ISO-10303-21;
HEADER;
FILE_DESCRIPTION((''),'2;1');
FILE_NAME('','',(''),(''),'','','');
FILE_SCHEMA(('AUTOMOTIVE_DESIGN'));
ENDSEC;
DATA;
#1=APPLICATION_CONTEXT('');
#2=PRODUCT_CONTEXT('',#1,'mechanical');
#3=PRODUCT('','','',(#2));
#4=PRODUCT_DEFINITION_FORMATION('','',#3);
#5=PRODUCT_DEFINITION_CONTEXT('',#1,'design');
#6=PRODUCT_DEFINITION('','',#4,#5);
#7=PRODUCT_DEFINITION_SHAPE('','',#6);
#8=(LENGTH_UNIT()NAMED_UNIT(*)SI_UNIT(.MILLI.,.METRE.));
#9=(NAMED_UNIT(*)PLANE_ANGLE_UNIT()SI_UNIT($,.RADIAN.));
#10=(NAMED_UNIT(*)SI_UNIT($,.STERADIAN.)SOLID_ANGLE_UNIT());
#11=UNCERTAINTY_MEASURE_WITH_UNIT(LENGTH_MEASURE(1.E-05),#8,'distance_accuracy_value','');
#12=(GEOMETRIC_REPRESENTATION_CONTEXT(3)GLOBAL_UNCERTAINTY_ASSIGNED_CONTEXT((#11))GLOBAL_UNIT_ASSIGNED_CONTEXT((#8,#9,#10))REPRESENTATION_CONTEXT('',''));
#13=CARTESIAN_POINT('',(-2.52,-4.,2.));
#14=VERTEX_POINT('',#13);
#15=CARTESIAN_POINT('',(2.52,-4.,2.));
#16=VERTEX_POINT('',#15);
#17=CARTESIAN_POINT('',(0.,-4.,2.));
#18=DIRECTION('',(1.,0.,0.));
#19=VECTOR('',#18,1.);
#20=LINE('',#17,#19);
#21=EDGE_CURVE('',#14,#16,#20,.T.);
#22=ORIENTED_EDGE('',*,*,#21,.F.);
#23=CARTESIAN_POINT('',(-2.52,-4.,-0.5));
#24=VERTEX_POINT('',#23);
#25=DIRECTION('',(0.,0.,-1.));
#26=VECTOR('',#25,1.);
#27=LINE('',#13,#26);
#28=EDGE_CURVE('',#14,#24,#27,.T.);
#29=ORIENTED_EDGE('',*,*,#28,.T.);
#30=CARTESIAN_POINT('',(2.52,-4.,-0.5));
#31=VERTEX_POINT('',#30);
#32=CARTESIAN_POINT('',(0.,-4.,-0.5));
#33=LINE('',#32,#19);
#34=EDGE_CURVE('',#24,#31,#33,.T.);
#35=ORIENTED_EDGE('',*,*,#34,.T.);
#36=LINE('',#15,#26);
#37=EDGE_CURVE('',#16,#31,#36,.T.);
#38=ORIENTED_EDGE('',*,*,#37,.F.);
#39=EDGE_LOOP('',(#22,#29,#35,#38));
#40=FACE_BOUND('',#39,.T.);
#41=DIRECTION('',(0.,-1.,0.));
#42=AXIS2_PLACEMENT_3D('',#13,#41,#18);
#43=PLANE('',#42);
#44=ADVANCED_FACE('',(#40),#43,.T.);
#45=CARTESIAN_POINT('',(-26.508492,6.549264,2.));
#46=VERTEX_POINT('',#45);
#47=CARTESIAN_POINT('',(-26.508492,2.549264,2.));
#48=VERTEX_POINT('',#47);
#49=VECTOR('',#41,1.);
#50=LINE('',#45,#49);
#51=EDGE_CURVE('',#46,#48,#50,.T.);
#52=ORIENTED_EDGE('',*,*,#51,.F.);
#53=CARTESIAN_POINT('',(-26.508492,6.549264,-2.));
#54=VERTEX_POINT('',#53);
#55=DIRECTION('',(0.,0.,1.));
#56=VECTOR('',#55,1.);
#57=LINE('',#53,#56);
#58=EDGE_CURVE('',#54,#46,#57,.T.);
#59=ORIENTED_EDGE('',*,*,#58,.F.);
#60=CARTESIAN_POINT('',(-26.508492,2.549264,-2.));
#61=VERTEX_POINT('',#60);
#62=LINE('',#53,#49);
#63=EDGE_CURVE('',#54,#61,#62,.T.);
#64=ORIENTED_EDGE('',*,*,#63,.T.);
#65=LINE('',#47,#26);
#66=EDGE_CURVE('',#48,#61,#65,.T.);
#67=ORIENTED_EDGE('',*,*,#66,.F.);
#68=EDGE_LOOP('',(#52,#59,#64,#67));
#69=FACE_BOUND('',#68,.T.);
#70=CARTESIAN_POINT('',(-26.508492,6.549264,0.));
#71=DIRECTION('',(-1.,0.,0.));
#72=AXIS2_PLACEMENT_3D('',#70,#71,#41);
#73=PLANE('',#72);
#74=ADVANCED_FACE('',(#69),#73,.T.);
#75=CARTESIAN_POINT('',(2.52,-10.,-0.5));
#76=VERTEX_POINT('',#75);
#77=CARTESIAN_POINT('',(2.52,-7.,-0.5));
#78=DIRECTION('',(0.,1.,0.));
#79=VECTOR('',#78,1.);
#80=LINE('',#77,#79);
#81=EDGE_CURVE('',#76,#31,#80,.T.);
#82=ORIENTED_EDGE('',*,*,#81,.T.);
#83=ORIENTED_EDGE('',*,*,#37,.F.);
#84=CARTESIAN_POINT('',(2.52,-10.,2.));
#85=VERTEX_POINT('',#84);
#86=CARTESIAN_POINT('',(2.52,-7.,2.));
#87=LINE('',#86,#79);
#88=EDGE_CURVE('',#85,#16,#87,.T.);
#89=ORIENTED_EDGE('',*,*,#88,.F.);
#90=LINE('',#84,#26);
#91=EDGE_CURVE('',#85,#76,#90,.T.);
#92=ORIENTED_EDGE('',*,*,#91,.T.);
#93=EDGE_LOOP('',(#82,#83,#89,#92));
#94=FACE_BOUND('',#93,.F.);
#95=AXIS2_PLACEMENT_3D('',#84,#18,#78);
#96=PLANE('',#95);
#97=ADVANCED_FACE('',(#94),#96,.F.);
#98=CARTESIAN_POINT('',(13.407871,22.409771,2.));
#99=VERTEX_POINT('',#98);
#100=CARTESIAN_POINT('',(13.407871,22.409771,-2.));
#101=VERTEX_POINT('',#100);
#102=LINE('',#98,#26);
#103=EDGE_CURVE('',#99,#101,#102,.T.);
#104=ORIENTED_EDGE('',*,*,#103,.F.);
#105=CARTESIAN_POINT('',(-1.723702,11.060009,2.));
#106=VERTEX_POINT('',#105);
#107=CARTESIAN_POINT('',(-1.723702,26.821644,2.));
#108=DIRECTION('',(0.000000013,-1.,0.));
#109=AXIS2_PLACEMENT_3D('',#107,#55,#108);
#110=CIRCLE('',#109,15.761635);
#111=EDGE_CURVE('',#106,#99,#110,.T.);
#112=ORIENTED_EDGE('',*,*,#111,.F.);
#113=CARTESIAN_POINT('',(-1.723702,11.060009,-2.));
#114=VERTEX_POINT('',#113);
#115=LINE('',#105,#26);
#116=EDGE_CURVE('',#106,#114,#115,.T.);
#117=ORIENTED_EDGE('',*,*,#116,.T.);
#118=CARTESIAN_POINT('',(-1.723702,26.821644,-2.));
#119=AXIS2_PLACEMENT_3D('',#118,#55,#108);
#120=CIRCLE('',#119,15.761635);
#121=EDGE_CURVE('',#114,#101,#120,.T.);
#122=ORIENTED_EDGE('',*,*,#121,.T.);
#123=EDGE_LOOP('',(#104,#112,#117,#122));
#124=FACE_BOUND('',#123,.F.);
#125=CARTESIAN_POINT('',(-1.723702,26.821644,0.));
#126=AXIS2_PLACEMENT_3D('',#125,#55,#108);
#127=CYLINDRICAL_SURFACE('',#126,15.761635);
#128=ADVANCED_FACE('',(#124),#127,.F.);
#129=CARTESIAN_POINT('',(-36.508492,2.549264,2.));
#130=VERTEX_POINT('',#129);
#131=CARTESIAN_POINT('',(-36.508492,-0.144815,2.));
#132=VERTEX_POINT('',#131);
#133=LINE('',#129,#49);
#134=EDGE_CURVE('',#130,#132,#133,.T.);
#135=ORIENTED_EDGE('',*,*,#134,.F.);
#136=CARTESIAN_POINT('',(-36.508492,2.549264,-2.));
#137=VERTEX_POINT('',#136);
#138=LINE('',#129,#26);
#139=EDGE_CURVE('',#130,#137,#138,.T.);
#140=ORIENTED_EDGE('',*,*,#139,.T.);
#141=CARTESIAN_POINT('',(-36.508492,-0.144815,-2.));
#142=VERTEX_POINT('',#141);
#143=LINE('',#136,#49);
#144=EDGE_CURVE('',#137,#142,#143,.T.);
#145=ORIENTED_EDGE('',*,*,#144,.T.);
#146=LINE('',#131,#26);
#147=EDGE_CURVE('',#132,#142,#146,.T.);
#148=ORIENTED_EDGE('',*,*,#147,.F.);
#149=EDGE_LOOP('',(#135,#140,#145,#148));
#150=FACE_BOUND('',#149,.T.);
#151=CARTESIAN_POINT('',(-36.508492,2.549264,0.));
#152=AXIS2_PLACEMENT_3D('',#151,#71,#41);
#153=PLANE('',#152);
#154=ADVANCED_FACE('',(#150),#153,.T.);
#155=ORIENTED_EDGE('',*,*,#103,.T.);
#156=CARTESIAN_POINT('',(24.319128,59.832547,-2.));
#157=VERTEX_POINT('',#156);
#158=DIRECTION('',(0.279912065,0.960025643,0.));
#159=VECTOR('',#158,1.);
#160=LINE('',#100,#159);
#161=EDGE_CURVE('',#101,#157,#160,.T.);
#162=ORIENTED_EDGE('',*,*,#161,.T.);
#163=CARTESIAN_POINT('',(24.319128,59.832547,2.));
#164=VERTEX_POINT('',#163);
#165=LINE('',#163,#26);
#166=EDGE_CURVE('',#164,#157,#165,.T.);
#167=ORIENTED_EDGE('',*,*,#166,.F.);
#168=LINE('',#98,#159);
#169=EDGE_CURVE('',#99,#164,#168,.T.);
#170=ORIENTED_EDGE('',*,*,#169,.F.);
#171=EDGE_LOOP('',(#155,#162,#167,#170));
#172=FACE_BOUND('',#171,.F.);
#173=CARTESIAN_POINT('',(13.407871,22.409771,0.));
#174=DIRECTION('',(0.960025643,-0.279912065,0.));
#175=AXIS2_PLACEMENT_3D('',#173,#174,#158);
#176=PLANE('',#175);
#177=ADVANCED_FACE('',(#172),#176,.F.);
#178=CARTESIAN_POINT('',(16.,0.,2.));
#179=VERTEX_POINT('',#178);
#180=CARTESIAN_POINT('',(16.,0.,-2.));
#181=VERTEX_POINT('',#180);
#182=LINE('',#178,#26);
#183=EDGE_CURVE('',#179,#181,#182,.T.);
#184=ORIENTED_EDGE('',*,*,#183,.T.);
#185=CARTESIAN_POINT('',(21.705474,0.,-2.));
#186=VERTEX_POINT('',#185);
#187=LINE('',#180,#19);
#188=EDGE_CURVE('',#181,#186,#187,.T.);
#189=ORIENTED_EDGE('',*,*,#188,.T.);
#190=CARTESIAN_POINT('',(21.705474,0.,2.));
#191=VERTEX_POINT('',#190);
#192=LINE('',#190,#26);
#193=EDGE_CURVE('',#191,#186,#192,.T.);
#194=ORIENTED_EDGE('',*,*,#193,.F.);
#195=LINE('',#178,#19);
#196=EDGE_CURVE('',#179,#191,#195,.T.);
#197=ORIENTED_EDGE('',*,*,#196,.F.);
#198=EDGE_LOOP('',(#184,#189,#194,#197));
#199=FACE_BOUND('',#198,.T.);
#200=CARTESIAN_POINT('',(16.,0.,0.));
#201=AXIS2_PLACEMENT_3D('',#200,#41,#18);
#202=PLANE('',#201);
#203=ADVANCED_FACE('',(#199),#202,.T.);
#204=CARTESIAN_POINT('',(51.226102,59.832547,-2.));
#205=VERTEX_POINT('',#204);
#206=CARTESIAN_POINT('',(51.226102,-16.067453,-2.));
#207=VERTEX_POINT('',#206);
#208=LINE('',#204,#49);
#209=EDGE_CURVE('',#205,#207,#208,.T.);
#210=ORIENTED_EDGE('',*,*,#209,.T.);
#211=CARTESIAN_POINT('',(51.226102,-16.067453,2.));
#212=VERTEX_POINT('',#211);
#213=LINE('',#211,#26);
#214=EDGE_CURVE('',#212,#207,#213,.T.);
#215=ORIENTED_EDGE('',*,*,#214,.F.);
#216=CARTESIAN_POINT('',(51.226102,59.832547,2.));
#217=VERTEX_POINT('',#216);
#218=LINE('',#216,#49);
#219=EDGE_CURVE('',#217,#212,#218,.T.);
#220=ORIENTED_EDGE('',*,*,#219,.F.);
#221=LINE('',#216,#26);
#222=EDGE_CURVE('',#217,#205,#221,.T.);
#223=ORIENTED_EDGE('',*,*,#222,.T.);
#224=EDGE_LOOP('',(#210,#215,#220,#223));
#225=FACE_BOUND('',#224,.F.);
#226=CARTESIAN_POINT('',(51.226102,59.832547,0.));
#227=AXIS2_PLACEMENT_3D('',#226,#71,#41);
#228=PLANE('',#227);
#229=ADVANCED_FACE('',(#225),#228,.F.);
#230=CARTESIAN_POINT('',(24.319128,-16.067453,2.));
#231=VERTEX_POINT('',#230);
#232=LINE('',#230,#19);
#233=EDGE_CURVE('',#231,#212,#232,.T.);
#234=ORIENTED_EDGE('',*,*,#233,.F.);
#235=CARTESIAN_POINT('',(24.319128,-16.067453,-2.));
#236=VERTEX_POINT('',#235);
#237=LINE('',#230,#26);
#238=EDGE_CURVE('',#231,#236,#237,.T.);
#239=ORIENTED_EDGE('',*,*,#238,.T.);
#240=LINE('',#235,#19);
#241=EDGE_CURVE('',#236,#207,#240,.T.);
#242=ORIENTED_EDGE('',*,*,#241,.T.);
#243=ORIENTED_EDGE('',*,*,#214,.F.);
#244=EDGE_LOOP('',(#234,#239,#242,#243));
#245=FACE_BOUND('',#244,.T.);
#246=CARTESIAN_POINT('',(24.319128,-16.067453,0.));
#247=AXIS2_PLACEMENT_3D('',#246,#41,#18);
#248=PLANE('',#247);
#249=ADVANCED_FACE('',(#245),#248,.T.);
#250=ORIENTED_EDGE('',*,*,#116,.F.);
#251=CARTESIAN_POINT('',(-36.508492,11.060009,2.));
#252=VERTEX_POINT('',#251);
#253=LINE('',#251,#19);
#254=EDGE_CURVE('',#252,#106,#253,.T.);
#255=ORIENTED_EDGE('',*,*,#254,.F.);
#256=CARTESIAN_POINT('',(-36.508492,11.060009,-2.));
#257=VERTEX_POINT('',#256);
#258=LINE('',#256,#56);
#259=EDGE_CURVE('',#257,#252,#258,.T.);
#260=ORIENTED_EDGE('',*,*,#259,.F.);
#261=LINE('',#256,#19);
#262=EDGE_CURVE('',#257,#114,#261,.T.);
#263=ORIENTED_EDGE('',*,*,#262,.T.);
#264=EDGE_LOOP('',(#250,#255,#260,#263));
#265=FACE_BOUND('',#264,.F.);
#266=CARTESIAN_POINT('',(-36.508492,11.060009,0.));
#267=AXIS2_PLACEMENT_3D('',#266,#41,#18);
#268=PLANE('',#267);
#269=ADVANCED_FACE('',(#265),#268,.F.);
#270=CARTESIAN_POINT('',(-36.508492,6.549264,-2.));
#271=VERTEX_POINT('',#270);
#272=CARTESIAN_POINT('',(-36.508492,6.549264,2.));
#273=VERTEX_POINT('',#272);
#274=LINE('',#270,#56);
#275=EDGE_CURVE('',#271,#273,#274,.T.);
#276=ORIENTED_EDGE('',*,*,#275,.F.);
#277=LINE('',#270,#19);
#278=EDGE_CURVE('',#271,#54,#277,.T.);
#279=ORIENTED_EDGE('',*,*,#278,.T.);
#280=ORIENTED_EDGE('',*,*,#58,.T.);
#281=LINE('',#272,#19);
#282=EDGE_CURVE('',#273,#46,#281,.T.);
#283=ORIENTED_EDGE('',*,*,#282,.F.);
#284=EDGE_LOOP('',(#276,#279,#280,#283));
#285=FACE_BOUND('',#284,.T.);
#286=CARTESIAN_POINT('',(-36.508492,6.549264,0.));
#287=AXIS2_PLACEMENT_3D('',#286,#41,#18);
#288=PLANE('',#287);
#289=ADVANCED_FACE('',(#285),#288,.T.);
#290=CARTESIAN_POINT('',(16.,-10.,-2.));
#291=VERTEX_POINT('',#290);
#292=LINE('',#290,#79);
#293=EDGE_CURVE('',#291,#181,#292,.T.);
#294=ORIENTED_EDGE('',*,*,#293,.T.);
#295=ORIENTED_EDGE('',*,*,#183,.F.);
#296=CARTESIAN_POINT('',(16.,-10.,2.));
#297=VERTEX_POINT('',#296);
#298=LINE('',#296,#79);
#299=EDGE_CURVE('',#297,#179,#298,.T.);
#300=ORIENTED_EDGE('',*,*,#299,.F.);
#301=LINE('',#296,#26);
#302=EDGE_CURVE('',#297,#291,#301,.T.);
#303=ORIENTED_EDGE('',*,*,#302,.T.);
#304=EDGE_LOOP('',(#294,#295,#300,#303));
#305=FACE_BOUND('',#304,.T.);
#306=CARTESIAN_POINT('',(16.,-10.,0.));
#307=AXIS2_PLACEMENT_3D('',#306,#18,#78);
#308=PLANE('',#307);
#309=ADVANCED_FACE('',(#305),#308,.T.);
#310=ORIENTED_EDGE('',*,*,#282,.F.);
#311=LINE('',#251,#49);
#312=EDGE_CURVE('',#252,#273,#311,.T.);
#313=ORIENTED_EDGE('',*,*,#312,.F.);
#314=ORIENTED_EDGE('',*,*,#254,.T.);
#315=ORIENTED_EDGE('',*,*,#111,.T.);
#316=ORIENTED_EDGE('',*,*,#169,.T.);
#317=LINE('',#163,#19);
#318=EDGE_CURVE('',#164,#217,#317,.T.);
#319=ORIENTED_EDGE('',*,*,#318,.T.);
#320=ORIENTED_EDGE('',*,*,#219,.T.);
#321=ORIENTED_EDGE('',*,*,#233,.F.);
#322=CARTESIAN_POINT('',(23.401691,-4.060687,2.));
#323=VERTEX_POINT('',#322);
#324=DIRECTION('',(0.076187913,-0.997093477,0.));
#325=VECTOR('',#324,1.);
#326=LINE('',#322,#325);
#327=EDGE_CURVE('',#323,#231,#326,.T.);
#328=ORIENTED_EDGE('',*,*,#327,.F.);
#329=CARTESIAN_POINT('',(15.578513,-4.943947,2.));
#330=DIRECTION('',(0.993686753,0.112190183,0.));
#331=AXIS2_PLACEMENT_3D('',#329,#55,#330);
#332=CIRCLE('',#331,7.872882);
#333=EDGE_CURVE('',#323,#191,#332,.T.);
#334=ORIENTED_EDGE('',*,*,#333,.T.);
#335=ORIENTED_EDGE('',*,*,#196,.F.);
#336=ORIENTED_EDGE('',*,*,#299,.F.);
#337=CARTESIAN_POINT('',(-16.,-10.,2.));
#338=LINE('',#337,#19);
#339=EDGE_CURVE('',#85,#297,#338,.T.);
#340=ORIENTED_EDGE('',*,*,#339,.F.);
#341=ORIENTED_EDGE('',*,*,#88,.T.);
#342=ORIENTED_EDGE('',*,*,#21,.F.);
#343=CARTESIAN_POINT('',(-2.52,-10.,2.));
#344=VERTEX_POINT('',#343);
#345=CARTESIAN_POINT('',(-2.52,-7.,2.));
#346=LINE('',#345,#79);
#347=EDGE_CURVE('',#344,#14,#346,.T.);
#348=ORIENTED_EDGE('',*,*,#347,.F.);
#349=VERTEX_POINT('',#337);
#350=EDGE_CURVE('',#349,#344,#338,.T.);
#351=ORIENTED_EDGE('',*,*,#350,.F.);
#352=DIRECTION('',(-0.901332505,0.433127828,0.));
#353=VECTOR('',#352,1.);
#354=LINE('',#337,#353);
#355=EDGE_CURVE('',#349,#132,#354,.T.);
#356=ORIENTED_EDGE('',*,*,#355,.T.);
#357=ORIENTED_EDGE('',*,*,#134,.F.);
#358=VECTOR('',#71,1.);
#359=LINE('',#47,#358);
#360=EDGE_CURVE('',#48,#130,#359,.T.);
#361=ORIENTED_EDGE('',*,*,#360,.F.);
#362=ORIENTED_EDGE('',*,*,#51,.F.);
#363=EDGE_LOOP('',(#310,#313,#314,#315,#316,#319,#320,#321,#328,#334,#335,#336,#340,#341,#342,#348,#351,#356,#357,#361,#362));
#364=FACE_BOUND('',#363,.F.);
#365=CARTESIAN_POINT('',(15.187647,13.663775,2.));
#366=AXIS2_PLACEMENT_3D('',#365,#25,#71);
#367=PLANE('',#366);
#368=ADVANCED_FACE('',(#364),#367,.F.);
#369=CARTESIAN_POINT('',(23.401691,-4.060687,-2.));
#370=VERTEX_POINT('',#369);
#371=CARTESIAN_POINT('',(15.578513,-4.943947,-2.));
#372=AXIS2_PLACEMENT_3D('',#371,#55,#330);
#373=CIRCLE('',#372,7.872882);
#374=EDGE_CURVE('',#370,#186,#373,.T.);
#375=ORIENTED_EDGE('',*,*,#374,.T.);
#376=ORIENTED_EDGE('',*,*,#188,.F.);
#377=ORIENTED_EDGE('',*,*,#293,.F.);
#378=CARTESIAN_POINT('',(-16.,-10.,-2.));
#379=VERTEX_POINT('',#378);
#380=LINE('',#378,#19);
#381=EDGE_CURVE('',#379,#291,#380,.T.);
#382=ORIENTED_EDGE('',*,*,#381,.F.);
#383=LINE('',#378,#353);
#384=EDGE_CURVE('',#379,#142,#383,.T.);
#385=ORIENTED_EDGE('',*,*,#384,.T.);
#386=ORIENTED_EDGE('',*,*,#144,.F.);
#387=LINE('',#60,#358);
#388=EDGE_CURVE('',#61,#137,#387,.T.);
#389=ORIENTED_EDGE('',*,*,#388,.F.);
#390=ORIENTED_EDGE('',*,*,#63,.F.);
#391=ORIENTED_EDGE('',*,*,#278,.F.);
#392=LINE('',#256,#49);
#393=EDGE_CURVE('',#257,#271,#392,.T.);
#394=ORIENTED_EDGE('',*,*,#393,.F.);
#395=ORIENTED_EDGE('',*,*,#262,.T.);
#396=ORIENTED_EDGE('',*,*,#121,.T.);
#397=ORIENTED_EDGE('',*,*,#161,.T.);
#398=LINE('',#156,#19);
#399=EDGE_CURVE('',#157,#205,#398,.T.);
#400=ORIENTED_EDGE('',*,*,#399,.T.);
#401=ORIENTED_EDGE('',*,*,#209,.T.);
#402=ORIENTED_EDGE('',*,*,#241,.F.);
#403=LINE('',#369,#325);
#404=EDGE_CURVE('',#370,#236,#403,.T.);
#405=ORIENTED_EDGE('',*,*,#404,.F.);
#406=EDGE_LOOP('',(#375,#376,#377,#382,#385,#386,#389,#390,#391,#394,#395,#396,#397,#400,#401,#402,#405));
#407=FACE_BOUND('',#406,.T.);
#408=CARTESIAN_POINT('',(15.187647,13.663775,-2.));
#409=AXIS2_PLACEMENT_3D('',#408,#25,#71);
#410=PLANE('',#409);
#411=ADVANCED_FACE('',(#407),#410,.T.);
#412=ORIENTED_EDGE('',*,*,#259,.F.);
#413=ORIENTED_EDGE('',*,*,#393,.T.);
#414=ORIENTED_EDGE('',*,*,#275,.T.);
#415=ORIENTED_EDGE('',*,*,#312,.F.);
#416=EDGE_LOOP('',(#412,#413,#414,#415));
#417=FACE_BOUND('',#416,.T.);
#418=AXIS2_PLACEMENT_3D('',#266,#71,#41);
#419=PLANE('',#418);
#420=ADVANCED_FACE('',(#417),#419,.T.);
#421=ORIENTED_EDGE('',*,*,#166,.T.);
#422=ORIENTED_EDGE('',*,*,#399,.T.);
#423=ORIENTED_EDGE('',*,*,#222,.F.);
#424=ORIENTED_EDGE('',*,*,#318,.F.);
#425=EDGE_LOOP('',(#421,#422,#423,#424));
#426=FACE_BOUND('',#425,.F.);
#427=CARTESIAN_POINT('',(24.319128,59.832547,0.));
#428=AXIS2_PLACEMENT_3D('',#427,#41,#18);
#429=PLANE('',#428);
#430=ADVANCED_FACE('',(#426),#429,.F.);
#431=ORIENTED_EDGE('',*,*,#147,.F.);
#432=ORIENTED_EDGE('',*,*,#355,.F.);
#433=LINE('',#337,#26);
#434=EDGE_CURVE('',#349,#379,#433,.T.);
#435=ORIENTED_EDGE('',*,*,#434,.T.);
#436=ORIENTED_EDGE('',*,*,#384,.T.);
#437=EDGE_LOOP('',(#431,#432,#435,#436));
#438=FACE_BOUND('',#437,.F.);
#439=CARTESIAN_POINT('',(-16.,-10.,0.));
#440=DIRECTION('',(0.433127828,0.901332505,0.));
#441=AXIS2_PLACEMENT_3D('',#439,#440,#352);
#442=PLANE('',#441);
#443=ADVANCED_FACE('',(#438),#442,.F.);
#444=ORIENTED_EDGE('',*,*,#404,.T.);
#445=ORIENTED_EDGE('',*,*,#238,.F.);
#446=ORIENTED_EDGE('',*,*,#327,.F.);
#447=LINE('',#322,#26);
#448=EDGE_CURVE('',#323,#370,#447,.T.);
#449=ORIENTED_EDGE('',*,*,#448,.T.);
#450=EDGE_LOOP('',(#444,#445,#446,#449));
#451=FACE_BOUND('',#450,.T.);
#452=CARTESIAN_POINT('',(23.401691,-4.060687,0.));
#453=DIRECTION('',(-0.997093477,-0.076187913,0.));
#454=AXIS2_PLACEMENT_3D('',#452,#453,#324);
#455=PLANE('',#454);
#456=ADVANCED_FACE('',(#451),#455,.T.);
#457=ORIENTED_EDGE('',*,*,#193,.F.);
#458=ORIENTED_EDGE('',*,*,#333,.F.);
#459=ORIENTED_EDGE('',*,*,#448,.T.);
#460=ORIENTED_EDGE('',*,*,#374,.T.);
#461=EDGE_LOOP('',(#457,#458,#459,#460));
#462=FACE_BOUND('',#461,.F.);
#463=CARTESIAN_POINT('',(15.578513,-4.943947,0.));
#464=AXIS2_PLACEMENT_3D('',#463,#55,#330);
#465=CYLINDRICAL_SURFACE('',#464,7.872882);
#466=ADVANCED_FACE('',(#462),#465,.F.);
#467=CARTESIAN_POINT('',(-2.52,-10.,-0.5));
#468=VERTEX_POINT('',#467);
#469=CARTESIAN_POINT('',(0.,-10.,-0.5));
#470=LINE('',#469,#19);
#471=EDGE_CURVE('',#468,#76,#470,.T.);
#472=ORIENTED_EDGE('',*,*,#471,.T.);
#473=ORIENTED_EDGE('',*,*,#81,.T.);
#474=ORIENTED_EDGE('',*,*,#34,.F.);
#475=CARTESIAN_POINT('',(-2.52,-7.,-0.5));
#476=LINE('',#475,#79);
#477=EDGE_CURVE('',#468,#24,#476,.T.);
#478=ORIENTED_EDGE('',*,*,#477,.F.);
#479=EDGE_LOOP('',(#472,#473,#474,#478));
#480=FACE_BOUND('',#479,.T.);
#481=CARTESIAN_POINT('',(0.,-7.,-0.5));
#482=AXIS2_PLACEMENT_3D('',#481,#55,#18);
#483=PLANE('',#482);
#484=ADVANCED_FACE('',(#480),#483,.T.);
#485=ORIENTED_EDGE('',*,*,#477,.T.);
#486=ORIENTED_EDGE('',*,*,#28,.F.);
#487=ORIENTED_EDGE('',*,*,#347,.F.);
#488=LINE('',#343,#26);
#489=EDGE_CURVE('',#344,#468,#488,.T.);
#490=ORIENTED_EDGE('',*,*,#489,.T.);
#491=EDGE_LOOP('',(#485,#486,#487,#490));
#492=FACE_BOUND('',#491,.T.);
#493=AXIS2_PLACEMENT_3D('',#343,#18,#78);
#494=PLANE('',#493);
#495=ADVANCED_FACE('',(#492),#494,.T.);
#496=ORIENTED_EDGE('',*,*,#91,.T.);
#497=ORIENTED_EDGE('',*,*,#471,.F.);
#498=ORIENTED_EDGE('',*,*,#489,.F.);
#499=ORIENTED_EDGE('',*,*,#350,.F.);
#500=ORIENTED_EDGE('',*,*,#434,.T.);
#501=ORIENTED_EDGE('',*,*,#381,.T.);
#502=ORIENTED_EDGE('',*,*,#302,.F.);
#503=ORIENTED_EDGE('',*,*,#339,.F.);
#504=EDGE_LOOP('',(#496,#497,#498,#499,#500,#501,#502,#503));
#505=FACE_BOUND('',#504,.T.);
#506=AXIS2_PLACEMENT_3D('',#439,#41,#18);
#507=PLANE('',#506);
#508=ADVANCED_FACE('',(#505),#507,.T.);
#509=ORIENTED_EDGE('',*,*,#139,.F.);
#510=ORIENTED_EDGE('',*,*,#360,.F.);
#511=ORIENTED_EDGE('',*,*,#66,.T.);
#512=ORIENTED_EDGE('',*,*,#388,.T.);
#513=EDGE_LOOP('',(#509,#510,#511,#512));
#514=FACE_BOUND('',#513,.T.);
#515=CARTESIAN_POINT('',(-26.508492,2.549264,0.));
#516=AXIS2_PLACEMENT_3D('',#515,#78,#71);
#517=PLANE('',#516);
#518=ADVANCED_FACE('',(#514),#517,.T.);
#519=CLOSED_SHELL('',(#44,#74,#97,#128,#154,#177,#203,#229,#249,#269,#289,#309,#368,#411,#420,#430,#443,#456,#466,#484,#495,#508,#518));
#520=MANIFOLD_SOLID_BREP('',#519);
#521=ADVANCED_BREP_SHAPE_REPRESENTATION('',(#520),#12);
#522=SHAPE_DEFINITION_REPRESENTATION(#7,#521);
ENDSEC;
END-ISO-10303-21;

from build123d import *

# Parameters (mm, degrees)
PAD_DEPTH    = 2
SKETCH_W     = 5.04
SKETCH_H     = 6
POCKET_DEPTH = 2.5


with BuildPart() as part:
    # CopySketch004 → Pad (new body, symmetric)
    with BuildSketch(Plane.XY):
        with BuildLine():
            Line((-36.508492, 11.060009), (-1.723702, 11.060009))
            ThreePointArc((-1.723702, 11.060009), (7.733856, 14.212769), (13.407871, 22.409771))
            Line((13.407871, 22.409771), (24.319128, 59.832547))
            Line((24.319128, 59.832547), (51.226102, 59.832547))
            Line((51.226102, 59.832547), (51.226102, -16.067453))
            Line((24.319128, -16.067453), (51.226102, -16.067453))
            Line((23.401691, -4.060687), (24.319128, -16.067453))
            ThreePointArc((23.401691, -4.060687), (22.843077, -1.909417), (21.705474, 0))
            Line((16, 0), (21.705474, 0))
            Line((16, -10), (16, 0))
            Line((-16, -10), (16, -10))
            Line((-16, -10), (-36.508492, -0.144815))
            Line((-36.508492, 2.549264), (-36.508492, -0.144815))
            Line((-26.508492, 2.549264), (-36.508492, 2.549264))
            Line((-26.508492, 6.549264), (-26.508492, 2.549264))
            Line((-36.508492, 6.549264), (-26.508492, 6.549264))
            Line((-36.508492, 11.060009), (-36.508492, 6.549264))
        make_face()
    extrude(amount=PAD_DEPTH, both=True)

    # Sketch (on Face19 of Pad) → Pocket (cut)
    with BuildSketch(Plane.XY.offset(2)):
        with Locations((0, -7)):
            Rectangle(SKETCH_W, SKETCH_H)
    extrude(amount=-POCKET_DEPTH, mode=Mode.SUBTRACT)


solid = part.part
